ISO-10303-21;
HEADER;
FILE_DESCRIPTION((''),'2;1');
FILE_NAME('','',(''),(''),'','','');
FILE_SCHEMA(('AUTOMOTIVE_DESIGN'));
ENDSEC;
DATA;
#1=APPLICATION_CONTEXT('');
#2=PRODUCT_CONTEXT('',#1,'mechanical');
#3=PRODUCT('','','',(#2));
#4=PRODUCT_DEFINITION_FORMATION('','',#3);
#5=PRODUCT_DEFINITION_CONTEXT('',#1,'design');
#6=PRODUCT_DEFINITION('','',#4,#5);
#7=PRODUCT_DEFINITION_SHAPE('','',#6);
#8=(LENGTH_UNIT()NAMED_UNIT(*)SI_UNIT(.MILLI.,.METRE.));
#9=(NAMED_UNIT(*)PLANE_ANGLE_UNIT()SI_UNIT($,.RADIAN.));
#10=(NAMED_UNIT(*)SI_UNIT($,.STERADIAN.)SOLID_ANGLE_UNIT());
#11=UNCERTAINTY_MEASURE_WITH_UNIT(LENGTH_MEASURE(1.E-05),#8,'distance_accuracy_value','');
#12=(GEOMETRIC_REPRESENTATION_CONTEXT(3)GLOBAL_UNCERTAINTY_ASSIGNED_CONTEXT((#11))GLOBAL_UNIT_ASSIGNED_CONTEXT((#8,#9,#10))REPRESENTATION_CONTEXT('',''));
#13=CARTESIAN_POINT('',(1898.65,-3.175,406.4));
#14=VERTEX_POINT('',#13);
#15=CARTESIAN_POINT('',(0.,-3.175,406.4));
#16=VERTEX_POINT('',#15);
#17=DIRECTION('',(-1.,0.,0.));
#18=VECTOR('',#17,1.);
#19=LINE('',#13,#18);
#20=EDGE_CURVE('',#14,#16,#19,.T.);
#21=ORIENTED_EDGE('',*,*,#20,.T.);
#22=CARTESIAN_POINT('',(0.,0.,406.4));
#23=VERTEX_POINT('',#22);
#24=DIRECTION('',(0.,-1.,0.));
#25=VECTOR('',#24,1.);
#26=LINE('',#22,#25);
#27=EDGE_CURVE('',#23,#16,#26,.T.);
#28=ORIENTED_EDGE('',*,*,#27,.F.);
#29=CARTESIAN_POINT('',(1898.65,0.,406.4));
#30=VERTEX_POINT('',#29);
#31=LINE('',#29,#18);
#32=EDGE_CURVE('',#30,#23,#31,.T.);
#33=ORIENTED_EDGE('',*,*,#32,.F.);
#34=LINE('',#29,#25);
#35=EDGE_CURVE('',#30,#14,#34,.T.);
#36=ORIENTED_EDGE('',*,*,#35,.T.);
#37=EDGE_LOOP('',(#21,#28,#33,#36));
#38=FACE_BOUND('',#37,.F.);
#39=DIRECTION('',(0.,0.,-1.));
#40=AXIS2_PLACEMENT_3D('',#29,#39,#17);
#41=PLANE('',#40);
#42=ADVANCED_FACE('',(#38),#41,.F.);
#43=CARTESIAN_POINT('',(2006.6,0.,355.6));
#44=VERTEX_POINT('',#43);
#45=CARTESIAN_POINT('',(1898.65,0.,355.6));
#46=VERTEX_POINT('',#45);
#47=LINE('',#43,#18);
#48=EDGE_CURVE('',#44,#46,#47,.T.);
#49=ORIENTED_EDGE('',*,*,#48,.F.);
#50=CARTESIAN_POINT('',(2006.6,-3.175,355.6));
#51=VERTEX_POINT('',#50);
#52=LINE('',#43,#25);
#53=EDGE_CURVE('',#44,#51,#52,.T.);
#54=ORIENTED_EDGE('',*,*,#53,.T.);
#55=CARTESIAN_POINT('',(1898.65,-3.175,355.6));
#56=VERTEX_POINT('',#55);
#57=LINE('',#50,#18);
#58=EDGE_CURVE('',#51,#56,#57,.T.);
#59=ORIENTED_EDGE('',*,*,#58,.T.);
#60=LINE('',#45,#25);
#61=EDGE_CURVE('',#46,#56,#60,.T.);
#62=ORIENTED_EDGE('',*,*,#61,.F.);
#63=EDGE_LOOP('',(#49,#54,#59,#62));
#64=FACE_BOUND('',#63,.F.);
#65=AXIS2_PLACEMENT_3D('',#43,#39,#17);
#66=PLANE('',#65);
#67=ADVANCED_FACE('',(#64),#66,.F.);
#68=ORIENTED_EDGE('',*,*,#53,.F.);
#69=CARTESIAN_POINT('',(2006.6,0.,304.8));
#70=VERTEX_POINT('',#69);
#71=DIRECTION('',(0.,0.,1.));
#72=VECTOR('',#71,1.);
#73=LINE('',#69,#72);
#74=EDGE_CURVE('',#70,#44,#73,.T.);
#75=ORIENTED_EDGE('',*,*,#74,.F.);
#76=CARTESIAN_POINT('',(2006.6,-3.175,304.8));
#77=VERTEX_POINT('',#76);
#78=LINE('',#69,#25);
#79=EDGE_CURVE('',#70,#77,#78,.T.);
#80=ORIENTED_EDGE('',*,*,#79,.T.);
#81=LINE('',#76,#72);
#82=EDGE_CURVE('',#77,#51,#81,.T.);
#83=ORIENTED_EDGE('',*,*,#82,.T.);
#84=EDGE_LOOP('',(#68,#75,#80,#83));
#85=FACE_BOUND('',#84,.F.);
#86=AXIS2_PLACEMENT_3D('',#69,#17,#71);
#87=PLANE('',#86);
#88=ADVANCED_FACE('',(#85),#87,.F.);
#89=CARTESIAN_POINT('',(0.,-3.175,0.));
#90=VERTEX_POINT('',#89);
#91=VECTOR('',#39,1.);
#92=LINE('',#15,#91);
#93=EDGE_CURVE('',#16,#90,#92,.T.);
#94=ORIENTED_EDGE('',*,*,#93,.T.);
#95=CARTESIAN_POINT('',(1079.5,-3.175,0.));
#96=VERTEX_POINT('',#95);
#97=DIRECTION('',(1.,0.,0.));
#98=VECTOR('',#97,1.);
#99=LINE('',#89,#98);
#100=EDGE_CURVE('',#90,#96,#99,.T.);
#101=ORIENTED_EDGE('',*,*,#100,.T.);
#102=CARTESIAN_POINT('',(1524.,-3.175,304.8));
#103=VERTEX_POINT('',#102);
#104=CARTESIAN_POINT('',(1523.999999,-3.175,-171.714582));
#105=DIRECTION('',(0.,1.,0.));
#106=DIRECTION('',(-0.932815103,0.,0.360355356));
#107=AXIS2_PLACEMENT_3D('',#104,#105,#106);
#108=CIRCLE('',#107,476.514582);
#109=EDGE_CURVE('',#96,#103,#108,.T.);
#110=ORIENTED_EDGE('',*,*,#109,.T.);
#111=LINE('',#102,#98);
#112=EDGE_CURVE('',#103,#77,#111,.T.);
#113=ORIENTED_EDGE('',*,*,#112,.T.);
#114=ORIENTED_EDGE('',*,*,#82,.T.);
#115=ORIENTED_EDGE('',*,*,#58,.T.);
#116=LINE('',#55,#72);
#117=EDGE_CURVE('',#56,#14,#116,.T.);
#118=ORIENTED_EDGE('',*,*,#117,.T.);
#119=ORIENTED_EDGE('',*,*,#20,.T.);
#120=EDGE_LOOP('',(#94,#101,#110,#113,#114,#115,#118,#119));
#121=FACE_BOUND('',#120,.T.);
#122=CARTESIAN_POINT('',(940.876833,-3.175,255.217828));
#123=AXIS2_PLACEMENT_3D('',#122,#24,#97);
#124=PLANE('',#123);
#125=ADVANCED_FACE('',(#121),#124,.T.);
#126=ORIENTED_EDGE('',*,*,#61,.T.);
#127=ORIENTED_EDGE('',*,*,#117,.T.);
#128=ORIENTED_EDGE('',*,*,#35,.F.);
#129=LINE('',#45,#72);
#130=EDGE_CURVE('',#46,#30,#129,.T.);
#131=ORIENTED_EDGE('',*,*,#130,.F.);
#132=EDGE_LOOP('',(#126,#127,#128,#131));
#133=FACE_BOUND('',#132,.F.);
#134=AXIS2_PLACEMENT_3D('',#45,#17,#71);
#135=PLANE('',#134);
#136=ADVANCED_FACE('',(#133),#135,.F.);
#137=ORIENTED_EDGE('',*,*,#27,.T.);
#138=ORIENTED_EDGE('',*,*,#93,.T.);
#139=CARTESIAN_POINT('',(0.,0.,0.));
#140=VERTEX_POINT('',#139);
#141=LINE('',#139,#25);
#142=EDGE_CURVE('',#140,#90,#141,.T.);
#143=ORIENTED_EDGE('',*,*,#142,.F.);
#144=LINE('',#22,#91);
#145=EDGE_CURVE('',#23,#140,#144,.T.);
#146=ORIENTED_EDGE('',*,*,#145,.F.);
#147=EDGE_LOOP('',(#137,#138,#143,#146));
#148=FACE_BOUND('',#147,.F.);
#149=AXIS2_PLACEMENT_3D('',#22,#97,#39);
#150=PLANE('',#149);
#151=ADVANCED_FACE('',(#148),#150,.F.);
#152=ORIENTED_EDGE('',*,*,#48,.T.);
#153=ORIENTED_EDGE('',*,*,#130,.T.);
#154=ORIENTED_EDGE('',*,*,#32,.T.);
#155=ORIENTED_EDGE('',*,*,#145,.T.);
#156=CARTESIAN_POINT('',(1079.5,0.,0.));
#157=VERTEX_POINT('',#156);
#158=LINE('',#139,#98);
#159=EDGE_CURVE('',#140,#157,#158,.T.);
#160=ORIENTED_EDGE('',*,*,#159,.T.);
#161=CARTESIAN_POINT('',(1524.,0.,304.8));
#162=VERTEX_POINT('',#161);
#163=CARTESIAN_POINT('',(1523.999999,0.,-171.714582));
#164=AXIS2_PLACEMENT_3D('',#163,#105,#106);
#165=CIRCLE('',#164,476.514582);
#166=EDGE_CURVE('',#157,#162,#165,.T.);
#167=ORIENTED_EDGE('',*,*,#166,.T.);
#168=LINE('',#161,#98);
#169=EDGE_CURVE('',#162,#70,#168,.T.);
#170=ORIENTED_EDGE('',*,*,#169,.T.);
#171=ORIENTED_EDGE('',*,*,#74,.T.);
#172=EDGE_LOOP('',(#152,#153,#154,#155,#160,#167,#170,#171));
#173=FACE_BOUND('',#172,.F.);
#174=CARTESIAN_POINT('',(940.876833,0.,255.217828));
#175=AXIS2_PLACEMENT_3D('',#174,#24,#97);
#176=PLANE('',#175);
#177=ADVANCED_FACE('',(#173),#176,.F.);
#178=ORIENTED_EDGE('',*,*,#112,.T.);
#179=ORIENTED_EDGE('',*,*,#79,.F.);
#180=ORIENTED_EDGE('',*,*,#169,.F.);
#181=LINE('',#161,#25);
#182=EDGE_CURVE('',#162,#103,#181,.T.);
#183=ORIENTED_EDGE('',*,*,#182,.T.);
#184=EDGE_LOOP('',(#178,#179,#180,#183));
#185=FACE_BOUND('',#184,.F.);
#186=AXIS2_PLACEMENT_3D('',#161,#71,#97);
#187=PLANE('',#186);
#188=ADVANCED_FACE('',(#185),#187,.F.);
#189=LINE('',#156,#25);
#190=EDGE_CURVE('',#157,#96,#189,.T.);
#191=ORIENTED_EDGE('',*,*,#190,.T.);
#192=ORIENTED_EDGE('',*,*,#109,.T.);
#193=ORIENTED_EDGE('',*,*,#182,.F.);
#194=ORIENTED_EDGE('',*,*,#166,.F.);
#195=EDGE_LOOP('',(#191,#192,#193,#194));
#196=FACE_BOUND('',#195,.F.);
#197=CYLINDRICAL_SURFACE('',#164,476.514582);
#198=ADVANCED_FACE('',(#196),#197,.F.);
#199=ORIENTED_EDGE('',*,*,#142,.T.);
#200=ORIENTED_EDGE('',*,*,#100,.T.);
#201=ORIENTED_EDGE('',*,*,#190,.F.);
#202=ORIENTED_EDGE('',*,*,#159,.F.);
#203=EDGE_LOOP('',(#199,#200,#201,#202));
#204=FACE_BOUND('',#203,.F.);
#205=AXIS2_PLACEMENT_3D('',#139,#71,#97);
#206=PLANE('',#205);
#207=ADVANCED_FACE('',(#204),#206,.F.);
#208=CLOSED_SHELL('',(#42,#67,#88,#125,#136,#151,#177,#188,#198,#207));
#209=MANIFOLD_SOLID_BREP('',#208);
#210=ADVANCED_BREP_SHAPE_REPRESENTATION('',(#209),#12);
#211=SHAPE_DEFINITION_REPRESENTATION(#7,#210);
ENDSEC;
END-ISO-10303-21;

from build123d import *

# Parameters (mm, degrees)
F1_DEPTH = 3.175


with BuildPart() as f1:
    # F0 (on Front) → F1 (new body)
    with BuildSketch(Plane.XZ):
        with BuildLine():
            Line((0, 406.4), (0, 0))
            Line((0, 0), (1079.5, 0))
            ThreePointArc((1079.5, 0), (1254.517491, 221.280742), (1524, 304.8))
            Line((1524, 304.8), (2006.6, 304.8))
            Line((2006.6, 304.8), (2006.6, 355.6))
            Line((2006.6, 355.6), (1898.65, 355.6))
            Line((1898.65, 355.6), (1898.65, 406.4))
            Line((1898.65, 406.4), (0, 406.4))
        make_face()
    extrude(amount=F1_DEPTH)


solid = f1.part
